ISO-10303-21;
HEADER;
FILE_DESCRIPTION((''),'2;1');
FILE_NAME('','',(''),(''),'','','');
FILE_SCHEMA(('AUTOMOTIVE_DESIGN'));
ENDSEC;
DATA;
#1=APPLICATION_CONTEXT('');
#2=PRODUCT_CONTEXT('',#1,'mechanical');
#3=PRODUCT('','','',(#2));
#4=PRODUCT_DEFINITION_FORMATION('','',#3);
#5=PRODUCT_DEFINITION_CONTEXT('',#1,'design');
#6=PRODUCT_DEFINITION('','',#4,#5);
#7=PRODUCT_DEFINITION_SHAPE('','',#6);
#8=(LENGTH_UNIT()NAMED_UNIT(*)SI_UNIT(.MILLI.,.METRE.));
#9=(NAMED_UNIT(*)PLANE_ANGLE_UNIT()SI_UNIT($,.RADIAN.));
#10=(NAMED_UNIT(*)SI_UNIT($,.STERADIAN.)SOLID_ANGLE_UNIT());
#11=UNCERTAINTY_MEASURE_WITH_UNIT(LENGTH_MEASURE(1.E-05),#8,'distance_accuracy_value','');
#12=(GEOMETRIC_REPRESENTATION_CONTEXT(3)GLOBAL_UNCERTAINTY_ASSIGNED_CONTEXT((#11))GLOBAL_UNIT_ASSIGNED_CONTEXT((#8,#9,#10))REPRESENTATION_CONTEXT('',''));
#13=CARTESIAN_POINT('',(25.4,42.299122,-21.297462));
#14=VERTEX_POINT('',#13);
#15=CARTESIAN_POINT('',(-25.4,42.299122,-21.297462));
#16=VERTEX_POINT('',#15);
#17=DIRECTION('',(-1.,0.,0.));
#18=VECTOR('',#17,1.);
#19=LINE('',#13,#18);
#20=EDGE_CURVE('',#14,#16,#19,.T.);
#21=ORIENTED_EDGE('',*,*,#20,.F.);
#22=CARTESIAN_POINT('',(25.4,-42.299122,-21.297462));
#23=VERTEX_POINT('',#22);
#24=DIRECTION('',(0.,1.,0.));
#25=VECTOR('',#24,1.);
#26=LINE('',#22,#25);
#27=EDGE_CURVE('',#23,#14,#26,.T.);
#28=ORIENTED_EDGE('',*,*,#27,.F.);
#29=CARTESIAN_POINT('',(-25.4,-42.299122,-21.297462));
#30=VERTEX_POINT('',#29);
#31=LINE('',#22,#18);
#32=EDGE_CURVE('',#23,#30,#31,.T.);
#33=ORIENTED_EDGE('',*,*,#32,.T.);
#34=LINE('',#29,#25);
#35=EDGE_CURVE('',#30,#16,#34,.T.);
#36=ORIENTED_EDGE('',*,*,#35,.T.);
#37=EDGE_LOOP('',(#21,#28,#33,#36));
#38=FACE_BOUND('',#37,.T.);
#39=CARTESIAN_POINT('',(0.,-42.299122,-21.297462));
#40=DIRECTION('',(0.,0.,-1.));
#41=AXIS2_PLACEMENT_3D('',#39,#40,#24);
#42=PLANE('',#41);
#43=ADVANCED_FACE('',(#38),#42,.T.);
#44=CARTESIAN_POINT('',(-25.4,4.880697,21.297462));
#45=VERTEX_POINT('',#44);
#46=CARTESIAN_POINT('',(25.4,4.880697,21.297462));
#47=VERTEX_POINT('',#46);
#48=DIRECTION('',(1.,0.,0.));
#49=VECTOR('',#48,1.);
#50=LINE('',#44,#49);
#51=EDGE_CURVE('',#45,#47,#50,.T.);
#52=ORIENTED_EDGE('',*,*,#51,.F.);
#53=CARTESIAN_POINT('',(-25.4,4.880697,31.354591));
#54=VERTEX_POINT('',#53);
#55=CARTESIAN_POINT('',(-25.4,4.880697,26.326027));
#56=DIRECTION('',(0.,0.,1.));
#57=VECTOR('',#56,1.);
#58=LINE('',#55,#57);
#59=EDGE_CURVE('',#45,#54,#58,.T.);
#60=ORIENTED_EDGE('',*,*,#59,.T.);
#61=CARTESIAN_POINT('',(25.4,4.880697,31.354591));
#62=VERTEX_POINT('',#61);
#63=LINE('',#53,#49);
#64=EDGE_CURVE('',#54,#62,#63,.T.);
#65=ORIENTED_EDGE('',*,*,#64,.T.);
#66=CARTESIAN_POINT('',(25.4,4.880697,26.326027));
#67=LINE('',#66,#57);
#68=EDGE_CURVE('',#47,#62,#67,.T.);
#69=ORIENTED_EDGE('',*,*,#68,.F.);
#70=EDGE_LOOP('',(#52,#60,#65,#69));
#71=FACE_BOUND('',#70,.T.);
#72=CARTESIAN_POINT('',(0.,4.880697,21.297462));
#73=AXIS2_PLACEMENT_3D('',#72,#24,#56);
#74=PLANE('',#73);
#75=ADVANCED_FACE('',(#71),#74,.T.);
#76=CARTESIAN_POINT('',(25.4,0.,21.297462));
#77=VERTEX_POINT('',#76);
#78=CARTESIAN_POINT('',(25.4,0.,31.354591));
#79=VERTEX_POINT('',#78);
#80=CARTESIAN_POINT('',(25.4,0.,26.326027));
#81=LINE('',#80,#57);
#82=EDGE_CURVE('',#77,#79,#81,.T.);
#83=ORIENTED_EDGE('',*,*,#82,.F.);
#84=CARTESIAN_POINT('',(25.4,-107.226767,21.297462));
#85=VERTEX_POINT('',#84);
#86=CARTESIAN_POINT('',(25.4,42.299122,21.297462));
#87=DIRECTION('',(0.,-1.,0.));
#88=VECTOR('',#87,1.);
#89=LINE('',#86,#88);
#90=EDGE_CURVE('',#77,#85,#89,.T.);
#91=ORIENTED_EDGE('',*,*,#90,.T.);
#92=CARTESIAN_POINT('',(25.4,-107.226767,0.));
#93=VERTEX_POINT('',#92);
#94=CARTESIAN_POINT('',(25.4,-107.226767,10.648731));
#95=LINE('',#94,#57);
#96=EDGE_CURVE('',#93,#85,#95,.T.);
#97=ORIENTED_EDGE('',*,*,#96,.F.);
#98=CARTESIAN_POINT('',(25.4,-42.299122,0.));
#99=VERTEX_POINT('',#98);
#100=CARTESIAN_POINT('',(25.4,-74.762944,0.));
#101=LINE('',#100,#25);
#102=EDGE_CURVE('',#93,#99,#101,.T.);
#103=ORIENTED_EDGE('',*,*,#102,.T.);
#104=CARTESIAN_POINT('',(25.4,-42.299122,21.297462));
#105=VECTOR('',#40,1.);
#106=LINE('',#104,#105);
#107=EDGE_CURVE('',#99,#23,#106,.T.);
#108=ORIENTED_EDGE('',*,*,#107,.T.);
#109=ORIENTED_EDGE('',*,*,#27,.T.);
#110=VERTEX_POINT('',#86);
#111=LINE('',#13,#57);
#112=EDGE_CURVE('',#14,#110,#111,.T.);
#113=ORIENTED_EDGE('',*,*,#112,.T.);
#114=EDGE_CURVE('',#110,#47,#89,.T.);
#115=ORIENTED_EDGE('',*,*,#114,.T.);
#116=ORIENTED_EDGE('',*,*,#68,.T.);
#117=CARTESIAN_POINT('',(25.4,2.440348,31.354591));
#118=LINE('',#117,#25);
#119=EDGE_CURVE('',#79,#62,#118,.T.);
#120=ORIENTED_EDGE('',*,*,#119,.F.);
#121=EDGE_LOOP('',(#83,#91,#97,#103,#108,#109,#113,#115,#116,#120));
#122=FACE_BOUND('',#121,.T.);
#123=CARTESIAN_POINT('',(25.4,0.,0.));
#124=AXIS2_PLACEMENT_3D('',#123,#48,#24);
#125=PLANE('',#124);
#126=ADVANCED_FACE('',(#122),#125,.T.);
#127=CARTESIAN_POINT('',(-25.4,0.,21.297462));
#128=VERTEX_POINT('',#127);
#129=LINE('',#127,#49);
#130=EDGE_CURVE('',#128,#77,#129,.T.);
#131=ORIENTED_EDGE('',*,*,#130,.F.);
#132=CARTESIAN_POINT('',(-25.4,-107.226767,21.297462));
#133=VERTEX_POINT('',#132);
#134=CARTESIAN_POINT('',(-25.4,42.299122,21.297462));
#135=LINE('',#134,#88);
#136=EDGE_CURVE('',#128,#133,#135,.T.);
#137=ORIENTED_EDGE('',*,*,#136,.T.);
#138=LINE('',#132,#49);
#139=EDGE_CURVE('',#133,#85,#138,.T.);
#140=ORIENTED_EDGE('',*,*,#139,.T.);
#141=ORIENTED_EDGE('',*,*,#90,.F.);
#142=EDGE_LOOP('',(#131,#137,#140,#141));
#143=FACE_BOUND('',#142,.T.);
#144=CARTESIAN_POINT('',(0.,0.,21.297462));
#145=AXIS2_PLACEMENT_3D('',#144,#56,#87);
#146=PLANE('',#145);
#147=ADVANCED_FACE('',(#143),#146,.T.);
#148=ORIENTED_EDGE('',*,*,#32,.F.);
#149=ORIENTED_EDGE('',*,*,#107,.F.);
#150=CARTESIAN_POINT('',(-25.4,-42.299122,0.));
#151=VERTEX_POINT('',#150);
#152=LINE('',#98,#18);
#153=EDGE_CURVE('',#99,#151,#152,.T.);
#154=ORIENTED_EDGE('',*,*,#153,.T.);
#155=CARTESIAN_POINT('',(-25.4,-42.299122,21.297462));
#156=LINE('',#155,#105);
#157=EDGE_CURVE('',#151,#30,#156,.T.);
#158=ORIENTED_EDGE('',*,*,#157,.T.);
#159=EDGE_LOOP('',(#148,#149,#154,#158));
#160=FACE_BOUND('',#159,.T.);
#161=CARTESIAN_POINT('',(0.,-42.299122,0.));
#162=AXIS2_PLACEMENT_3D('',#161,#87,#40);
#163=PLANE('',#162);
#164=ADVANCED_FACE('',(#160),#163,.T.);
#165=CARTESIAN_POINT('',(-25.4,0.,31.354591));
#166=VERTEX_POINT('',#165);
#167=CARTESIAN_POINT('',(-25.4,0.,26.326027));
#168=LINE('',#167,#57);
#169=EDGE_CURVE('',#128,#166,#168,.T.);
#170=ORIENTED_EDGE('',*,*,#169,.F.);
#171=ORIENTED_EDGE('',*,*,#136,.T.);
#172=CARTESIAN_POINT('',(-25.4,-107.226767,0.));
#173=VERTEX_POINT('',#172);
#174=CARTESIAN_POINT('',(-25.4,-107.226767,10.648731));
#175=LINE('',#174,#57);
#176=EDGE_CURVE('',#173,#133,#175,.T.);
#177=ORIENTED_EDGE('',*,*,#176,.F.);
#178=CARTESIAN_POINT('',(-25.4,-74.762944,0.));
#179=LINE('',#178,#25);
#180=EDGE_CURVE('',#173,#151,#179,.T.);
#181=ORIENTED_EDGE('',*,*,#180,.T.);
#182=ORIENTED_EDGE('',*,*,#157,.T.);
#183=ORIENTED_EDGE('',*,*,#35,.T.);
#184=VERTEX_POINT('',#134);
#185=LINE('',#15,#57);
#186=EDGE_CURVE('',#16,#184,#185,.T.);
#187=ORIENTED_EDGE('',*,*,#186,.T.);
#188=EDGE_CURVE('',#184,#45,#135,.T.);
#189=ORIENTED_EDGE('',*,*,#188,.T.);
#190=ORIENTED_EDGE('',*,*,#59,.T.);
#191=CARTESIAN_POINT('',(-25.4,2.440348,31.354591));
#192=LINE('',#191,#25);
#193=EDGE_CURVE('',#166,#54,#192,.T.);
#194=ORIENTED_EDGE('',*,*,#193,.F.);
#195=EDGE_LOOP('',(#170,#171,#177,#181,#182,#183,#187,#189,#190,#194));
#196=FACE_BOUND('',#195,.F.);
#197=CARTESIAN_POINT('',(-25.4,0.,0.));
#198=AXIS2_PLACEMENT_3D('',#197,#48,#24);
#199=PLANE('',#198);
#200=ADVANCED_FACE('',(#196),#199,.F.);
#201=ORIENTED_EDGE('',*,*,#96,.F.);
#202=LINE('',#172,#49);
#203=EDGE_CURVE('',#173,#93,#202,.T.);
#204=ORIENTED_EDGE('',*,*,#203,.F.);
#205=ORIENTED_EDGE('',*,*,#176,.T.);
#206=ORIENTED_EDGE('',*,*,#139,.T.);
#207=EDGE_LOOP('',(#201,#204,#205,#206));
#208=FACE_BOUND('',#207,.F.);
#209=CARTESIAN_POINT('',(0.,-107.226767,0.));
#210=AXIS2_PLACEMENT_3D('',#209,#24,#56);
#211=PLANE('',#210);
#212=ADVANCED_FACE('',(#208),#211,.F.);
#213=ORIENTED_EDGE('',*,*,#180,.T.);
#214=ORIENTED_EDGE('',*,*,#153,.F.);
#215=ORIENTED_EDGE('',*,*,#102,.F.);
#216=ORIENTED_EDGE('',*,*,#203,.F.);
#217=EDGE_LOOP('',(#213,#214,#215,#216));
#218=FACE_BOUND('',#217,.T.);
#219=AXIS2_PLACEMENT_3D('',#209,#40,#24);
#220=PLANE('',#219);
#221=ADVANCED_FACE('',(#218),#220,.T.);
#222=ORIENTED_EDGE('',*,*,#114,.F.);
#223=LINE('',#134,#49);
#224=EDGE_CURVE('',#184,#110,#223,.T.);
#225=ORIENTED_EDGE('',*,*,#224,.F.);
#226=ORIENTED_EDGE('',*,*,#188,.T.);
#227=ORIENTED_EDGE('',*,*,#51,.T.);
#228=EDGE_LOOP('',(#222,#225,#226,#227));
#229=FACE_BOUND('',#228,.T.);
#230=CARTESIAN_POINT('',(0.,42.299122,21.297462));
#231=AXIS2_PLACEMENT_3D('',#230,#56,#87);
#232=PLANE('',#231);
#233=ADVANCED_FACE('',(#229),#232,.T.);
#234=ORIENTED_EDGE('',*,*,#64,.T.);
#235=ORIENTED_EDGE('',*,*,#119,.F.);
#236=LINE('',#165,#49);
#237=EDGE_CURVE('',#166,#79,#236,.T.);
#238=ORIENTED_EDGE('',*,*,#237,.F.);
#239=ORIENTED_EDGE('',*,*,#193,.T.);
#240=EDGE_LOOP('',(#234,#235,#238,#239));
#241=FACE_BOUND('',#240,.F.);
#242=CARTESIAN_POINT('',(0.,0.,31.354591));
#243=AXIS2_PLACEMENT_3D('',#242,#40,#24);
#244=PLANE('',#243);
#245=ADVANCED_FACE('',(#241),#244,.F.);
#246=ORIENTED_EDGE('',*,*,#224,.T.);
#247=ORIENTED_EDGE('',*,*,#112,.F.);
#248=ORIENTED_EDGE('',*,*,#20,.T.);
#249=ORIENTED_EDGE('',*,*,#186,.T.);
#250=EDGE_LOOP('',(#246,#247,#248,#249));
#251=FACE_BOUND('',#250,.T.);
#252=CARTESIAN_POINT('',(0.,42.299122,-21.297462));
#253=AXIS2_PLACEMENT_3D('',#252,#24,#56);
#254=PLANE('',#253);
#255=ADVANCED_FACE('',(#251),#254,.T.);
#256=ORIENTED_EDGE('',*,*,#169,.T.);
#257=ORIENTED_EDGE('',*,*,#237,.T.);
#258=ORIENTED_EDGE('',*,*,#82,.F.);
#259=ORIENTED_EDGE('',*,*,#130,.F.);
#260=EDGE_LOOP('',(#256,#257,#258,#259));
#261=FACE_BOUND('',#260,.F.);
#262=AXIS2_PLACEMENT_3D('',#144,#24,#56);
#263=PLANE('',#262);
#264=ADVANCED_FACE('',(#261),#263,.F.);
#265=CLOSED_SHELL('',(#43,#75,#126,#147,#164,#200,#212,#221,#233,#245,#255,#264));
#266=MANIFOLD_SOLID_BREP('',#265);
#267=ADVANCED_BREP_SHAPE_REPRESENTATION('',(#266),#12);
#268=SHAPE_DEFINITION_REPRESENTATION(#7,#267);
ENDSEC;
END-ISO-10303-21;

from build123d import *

# Parameters (mm, degrees)
F0_W     = 64.9276450276
F0_H     = 21.2974622846
F0_W_2   = 4.8806965351
F0_H_2   = 10.0571289659
F1_DEPTH = 25.4
F2_DEPTH = 25.4


with BuildPart() as f1:
    # F0 (on Right) → F1 (new body)
    with BuildSketch(Plane.YZ):
        Polygon((42.2991216183, -21.2974622846), (42.2991216183, 21.2974622846), (4.8806965351, 21.2974622846), (0, 21.2974622846), (-42.2991216183, 21.2974622846), (-42.2991216183, 0), (-42.2991216183, -21.2974622846), align=None)
        with Locations((-74.7629441321, 10.6487311423)):
            Rectangle(F0_W, F0_H)
        with Locations((2.4403482676, 26.3260267675)):
            Rectangle(F0_W_2, F0_H_2)
    extrude(amount=F1_DEPTH)

    # F2 (add): a face of the model
    f2_faces = [f1.faces().sort_by_distance(p)[0] for p in [
        (0, -20.5074649501, 3.1809669358),
    ]]
    extrude(f2_faces, amount=F2_DEPTH)


solid = f1.part
